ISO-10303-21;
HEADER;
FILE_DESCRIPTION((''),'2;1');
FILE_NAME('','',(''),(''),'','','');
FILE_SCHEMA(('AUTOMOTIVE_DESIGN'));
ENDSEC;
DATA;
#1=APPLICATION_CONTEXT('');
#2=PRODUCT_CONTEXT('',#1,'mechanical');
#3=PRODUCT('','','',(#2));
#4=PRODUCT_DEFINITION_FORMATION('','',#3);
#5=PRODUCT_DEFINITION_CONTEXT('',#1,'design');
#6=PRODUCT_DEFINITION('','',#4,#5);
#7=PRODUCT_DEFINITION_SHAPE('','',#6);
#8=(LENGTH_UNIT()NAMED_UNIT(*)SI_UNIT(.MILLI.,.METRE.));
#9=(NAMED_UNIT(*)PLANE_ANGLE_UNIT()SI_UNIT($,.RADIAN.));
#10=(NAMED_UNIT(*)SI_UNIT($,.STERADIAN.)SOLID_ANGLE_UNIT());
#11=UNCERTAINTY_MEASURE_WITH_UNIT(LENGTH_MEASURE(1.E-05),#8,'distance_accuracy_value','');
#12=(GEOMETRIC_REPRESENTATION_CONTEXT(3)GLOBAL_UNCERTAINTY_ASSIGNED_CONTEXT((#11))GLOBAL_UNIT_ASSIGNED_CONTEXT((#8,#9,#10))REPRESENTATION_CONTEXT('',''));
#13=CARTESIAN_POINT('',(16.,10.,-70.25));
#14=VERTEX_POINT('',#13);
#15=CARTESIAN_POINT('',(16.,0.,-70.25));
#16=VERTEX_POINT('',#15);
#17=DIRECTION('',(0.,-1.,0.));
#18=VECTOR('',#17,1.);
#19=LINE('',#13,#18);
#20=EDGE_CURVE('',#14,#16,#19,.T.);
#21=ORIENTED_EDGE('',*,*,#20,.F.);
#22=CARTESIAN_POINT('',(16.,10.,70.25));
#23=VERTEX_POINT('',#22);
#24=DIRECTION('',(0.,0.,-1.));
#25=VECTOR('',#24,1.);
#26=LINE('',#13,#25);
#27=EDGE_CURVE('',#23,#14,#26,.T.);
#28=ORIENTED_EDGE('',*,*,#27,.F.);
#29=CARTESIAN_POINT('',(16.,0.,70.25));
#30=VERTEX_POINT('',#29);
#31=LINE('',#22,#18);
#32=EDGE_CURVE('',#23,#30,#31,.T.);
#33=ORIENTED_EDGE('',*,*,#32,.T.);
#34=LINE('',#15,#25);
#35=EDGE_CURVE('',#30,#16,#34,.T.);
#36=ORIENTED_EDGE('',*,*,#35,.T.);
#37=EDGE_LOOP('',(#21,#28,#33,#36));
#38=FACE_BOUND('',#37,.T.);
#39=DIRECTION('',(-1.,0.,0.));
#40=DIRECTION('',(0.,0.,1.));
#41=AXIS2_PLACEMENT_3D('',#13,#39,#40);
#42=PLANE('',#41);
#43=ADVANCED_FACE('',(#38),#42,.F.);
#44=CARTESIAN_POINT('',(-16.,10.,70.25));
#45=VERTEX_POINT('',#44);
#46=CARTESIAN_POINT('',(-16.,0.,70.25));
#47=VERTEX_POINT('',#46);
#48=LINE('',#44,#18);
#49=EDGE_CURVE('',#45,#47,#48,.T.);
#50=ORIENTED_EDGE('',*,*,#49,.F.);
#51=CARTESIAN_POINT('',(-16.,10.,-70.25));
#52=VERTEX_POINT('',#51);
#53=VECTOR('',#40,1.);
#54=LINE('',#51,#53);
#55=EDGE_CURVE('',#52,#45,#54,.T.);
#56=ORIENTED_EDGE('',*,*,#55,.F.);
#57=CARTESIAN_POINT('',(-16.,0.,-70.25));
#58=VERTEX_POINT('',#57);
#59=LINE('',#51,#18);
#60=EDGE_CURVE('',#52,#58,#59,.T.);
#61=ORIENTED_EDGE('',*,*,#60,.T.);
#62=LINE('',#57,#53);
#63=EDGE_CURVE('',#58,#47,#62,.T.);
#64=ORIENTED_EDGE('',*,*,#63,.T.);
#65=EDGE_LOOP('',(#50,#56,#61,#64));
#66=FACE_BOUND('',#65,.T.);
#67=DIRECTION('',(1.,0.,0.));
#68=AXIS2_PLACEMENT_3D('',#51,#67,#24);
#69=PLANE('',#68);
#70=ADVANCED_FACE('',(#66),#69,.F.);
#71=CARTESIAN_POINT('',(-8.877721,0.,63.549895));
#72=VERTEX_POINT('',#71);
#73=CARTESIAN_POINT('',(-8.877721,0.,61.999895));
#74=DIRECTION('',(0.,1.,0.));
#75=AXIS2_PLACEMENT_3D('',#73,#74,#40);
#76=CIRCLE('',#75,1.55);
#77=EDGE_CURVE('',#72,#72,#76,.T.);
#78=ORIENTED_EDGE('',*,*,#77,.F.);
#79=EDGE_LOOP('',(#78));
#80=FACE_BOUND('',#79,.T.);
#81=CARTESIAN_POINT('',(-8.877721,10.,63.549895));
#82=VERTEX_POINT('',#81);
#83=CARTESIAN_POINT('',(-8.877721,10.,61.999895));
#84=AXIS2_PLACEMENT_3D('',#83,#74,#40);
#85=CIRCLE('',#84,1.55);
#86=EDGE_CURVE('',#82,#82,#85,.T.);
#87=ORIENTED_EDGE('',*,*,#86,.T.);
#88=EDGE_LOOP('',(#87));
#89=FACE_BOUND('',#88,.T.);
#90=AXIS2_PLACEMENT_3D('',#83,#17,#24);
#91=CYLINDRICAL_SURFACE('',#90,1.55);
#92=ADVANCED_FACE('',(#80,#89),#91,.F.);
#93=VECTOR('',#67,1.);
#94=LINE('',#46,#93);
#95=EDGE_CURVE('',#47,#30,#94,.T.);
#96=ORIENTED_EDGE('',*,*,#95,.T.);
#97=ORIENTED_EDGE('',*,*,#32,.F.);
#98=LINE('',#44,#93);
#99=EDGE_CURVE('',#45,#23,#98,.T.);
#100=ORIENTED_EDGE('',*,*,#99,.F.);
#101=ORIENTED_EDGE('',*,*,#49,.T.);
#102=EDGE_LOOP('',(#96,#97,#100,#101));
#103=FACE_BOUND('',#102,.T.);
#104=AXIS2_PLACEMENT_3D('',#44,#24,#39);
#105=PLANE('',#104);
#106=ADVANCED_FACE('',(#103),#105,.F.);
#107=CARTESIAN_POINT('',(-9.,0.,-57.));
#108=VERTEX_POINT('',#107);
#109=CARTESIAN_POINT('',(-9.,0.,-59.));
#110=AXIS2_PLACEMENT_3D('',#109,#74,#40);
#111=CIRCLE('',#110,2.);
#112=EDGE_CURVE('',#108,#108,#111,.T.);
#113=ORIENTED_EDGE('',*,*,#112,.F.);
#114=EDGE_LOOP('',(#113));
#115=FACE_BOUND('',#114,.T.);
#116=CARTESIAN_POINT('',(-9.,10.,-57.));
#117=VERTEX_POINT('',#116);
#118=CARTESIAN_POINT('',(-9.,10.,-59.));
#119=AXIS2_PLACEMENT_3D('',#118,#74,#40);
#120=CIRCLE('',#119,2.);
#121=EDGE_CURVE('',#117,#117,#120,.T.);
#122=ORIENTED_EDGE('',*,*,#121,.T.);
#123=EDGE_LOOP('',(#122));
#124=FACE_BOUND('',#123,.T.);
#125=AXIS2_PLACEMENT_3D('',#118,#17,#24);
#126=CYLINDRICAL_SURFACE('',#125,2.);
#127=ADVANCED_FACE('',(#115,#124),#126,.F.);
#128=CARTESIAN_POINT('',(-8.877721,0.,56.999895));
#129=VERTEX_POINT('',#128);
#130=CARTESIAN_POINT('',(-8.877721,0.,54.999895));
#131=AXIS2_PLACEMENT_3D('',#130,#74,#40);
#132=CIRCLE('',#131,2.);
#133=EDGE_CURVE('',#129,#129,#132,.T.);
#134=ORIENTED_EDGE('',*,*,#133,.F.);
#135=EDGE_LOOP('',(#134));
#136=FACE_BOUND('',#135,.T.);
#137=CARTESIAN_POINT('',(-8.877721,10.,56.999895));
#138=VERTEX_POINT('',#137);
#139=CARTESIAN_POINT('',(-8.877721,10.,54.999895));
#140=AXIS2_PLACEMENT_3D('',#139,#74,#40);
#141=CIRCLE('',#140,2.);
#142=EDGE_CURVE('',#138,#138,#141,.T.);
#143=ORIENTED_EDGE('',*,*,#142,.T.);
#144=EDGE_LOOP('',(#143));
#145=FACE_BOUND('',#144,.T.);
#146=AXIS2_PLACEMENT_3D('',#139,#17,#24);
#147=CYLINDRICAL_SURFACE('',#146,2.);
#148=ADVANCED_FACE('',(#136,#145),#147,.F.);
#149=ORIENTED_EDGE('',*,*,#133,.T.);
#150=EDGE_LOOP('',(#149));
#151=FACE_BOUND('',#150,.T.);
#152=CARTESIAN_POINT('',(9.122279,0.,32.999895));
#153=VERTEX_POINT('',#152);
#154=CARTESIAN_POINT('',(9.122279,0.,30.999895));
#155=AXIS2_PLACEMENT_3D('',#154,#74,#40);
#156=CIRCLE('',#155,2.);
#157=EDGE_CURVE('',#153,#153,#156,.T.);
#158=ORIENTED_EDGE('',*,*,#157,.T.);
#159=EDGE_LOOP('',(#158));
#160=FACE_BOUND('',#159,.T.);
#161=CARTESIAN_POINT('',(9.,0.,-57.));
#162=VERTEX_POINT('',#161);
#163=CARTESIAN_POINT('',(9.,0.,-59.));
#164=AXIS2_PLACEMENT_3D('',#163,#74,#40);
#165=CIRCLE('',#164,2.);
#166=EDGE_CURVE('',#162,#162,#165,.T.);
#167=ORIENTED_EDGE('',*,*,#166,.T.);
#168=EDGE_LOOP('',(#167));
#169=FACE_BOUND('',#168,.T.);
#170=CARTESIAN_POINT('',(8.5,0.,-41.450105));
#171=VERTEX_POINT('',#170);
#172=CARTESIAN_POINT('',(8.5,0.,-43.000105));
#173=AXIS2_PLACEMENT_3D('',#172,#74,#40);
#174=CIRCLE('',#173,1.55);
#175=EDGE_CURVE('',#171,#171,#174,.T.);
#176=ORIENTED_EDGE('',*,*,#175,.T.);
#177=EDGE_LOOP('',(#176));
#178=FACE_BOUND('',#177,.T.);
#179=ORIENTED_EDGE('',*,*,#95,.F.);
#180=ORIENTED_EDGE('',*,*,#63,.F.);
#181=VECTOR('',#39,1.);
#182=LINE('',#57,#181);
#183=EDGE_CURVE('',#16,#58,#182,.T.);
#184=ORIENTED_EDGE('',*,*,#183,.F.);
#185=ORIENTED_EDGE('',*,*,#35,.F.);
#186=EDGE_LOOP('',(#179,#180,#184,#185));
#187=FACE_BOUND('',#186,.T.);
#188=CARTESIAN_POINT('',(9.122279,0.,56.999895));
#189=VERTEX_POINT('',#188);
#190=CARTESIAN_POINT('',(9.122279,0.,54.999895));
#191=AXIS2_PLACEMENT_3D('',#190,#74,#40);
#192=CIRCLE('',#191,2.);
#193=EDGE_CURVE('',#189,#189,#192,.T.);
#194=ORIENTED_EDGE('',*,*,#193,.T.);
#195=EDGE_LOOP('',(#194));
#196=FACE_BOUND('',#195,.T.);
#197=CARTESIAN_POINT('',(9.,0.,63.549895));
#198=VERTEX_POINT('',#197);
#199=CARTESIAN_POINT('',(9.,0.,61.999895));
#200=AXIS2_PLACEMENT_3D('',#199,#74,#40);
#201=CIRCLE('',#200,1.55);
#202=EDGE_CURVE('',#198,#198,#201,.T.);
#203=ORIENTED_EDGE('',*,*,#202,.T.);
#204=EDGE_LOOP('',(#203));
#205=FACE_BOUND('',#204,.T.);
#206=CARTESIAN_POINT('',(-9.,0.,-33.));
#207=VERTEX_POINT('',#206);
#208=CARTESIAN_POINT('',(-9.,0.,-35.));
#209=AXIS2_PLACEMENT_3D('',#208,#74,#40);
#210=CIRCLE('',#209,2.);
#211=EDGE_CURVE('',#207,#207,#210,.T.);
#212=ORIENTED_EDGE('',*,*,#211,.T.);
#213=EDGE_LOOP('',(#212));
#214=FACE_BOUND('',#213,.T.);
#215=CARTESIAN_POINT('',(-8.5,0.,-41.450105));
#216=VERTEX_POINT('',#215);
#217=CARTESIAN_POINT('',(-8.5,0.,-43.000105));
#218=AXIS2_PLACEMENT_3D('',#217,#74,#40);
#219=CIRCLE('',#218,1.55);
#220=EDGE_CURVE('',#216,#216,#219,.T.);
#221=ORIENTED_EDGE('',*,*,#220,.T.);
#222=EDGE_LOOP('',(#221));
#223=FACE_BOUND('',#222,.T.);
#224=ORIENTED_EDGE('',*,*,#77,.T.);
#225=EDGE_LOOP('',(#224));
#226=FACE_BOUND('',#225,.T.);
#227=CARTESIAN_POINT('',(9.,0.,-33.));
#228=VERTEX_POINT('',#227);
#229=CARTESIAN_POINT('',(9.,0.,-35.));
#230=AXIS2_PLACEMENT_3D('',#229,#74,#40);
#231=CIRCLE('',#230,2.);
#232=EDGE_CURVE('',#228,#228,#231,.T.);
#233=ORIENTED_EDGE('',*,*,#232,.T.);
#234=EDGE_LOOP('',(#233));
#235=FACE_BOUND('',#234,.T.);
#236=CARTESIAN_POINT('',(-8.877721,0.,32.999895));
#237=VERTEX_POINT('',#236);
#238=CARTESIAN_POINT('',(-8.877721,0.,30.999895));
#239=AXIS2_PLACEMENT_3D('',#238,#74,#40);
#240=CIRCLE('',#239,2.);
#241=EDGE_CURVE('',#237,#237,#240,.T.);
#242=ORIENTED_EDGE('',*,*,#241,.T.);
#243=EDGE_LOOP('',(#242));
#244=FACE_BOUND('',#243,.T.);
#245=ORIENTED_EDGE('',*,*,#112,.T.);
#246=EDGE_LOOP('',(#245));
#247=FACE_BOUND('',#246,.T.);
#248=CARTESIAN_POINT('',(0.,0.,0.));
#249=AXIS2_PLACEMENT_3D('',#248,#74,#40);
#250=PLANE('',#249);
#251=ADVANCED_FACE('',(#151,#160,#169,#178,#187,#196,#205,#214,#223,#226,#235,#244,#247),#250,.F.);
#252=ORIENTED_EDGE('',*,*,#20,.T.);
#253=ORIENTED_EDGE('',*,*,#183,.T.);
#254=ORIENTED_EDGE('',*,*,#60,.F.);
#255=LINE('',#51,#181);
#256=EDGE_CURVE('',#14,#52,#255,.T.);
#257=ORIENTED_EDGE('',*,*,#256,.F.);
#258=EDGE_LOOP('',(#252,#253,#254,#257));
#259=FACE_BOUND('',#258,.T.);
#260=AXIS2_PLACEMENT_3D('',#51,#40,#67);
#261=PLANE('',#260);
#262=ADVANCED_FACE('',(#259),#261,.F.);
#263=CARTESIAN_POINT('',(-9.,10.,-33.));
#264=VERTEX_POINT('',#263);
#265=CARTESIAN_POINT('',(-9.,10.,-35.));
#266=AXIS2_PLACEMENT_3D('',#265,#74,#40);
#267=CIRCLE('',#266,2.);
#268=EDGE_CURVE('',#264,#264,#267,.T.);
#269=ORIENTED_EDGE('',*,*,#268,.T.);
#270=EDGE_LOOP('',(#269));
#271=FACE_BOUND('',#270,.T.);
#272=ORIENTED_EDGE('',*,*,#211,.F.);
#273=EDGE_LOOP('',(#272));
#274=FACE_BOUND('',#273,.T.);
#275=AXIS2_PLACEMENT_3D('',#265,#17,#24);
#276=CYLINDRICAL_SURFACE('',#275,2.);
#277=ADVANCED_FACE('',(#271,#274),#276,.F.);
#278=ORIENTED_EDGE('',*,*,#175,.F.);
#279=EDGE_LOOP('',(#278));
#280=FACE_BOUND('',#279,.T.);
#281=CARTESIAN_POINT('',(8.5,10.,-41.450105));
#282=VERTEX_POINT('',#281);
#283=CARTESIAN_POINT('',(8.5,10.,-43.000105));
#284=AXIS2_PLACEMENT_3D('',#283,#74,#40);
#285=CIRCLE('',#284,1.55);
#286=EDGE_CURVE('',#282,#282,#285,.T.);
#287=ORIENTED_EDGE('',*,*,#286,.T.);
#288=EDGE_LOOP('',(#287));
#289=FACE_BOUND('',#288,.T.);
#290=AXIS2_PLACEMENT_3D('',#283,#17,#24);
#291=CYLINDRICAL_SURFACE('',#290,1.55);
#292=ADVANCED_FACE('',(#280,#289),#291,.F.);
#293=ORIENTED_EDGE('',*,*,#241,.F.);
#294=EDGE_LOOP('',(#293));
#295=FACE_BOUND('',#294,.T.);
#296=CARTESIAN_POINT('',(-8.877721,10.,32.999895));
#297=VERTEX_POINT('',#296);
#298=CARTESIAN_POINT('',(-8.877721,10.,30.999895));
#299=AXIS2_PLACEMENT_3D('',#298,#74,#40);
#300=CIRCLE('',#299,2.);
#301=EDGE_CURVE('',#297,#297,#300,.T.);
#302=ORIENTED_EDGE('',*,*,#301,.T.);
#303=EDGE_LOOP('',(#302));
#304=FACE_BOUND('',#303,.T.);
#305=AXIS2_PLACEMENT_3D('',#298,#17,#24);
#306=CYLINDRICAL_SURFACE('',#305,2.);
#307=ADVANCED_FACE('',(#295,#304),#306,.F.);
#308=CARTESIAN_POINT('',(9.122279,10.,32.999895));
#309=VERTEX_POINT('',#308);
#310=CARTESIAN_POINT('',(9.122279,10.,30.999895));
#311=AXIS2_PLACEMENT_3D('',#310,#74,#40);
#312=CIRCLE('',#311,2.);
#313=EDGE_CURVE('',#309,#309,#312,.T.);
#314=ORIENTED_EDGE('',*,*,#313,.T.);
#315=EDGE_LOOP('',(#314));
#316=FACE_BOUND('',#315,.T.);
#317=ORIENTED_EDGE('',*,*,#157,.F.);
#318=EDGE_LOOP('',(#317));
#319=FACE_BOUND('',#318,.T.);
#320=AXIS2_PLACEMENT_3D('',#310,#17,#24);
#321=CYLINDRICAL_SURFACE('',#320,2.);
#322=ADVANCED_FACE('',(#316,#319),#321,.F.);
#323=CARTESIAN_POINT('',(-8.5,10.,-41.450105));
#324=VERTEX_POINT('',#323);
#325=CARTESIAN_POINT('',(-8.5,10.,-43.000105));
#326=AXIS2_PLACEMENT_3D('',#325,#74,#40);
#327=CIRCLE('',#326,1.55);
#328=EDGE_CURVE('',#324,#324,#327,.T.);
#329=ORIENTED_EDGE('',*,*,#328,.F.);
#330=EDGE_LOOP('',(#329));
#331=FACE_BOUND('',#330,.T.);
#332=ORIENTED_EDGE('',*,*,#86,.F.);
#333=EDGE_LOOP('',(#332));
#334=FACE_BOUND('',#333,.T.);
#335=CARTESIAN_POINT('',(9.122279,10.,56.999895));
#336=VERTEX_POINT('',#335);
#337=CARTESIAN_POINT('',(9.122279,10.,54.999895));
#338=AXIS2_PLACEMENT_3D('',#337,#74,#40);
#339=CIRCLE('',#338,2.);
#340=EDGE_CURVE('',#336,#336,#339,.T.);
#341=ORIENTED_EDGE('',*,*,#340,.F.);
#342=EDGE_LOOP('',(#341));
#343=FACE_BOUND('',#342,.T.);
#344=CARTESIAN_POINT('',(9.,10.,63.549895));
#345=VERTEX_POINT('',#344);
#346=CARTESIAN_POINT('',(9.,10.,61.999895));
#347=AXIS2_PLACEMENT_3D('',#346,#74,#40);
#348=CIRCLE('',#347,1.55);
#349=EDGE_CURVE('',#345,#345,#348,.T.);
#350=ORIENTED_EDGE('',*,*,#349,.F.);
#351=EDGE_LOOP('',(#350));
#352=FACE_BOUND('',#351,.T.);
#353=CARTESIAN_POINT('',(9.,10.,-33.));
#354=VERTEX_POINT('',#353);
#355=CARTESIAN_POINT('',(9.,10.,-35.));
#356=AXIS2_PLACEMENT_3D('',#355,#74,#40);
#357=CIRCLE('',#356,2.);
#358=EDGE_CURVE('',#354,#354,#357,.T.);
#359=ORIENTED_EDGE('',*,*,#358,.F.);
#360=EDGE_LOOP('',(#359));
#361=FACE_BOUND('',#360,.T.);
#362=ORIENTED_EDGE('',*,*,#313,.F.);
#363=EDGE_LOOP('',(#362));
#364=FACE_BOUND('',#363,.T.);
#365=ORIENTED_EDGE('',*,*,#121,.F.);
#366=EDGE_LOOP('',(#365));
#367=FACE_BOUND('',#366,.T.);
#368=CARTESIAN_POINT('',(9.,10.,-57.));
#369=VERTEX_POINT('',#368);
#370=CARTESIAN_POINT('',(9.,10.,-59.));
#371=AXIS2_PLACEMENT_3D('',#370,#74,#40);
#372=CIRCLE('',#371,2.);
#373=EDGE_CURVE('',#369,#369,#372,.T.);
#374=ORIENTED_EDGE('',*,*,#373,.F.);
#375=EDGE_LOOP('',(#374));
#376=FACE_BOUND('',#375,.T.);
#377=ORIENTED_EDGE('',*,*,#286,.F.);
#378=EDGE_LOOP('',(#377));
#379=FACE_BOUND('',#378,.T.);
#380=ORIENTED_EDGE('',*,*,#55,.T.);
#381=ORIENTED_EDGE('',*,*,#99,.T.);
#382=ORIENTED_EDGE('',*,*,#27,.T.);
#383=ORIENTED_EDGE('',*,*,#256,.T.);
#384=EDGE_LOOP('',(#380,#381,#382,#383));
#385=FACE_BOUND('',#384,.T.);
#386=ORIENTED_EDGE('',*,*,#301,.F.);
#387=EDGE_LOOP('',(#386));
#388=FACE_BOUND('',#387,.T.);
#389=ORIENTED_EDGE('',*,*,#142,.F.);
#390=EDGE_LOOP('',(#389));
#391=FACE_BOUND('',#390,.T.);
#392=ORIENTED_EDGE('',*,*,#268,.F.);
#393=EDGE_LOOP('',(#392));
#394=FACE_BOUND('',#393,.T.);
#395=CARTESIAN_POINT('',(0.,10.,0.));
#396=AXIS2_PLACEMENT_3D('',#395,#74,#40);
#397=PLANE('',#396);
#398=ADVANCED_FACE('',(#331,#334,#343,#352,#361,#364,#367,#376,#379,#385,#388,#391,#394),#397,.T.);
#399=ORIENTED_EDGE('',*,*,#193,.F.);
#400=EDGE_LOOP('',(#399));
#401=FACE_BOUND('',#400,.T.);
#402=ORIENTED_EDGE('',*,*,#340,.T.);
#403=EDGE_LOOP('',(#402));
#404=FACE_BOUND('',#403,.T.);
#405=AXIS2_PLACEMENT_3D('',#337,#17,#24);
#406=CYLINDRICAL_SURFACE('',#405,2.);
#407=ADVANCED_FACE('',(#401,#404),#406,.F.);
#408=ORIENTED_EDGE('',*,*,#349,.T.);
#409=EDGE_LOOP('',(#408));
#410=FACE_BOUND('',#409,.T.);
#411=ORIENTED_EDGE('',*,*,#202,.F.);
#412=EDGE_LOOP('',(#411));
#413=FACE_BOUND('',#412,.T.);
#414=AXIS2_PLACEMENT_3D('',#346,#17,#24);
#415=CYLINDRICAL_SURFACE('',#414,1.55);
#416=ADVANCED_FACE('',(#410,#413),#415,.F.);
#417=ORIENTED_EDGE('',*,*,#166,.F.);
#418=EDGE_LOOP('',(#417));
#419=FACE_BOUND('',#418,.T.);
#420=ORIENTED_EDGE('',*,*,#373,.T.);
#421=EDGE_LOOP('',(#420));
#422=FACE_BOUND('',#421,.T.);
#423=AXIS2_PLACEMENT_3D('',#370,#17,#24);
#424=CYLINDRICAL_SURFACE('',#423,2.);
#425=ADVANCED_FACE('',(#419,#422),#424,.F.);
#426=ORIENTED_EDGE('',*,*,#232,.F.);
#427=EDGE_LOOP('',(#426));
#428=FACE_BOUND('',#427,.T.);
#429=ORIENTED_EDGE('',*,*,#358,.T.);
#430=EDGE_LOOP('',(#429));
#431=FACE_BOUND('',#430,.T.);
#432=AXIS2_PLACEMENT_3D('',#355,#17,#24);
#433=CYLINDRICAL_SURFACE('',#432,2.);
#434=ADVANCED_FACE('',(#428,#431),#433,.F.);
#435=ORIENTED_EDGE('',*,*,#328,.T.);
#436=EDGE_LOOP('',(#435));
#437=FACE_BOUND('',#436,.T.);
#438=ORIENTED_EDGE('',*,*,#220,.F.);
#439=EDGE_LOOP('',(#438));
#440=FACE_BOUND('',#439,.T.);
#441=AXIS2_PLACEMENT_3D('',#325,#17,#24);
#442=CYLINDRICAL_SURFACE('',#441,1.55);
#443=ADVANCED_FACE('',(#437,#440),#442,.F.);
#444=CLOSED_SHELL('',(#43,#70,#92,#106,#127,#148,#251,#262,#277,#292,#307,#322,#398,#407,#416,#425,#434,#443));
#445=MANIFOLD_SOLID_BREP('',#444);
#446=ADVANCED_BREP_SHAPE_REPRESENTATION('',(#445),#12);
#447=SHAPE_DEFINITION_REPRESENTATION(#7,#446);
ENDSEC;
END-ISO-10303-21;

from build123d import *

# Parameters (mm, degrees)
SKETCH1_W           = 32
SKETCH1_H           = 140.5
SKETCH1_R           = 2
SKETCH1_R_2         = 1.55
BOSS_EXTRUDE1_DEPTH = 10


with BuildPart() as part:
    # Sketch1 → Boss-Extrude1 (new body)
    with BuildSketch(Plane(origin=(0, 0, 0), x_dir=(1, 0, 0), z_dir=(0, 1, 0))):
        Rectangle(SKETCH1_W, SKETCH1_H)
        with Locations((-9, 59)):
            Circle(SKETCH1_R, mode=Mode.SUBTRACT)
        with Locations((9, 59)):
            Circle(SKETCH1_R, mode=Mode.SUBTRACT)
        with Locations((-9, 35)):
            Circle(SKETCH1_R, mode=Mode.SUBTRACT)
        with Locations((9, 35)):
            Circle(SKETCH1_R, mode=Mode.SUBTRACT)
        with Locations((-8.5, 43.000105298)):
            Circle(SKETCH1_R_2, mode=Mode.SUBTRACT)
        with Locations((8.5, 43.000105298)):
            Circle(SKETCH1_R_2, mode=Mode.SUBTRACT)
        with Locations((-8.877720617, -61.999894702)):
            Circle(SKETCH1_R_2, mode=Mode.SUBTRACT)
        with Locations((9, -61.999894702)):
            Circle(SKETCH1_R_2, mode=Mode.SUBTRACT)
        with Locations((-8.877720617, -30.999894702)):
            Circle(SKETCH1_R, mode=Mode.SUBTRACT)
        with Locations((9.122279383, -30.999894702)):
            Circle(SKETCH1_R, mode=Mode.SUBTRACT)
        with Locations((9.122279383, -54.999894702)):
            Circle(SKETCH1_R, mode=Mode.SUBTRACT)
        with Locations((-8.877720617, -54.999894702)):
            Circle(SKETCH1_R, mode=Mode.SUBTRACT)
    extrude(amount=BOSS_EXTRUDE1_DEPTH)


solid = part.part
